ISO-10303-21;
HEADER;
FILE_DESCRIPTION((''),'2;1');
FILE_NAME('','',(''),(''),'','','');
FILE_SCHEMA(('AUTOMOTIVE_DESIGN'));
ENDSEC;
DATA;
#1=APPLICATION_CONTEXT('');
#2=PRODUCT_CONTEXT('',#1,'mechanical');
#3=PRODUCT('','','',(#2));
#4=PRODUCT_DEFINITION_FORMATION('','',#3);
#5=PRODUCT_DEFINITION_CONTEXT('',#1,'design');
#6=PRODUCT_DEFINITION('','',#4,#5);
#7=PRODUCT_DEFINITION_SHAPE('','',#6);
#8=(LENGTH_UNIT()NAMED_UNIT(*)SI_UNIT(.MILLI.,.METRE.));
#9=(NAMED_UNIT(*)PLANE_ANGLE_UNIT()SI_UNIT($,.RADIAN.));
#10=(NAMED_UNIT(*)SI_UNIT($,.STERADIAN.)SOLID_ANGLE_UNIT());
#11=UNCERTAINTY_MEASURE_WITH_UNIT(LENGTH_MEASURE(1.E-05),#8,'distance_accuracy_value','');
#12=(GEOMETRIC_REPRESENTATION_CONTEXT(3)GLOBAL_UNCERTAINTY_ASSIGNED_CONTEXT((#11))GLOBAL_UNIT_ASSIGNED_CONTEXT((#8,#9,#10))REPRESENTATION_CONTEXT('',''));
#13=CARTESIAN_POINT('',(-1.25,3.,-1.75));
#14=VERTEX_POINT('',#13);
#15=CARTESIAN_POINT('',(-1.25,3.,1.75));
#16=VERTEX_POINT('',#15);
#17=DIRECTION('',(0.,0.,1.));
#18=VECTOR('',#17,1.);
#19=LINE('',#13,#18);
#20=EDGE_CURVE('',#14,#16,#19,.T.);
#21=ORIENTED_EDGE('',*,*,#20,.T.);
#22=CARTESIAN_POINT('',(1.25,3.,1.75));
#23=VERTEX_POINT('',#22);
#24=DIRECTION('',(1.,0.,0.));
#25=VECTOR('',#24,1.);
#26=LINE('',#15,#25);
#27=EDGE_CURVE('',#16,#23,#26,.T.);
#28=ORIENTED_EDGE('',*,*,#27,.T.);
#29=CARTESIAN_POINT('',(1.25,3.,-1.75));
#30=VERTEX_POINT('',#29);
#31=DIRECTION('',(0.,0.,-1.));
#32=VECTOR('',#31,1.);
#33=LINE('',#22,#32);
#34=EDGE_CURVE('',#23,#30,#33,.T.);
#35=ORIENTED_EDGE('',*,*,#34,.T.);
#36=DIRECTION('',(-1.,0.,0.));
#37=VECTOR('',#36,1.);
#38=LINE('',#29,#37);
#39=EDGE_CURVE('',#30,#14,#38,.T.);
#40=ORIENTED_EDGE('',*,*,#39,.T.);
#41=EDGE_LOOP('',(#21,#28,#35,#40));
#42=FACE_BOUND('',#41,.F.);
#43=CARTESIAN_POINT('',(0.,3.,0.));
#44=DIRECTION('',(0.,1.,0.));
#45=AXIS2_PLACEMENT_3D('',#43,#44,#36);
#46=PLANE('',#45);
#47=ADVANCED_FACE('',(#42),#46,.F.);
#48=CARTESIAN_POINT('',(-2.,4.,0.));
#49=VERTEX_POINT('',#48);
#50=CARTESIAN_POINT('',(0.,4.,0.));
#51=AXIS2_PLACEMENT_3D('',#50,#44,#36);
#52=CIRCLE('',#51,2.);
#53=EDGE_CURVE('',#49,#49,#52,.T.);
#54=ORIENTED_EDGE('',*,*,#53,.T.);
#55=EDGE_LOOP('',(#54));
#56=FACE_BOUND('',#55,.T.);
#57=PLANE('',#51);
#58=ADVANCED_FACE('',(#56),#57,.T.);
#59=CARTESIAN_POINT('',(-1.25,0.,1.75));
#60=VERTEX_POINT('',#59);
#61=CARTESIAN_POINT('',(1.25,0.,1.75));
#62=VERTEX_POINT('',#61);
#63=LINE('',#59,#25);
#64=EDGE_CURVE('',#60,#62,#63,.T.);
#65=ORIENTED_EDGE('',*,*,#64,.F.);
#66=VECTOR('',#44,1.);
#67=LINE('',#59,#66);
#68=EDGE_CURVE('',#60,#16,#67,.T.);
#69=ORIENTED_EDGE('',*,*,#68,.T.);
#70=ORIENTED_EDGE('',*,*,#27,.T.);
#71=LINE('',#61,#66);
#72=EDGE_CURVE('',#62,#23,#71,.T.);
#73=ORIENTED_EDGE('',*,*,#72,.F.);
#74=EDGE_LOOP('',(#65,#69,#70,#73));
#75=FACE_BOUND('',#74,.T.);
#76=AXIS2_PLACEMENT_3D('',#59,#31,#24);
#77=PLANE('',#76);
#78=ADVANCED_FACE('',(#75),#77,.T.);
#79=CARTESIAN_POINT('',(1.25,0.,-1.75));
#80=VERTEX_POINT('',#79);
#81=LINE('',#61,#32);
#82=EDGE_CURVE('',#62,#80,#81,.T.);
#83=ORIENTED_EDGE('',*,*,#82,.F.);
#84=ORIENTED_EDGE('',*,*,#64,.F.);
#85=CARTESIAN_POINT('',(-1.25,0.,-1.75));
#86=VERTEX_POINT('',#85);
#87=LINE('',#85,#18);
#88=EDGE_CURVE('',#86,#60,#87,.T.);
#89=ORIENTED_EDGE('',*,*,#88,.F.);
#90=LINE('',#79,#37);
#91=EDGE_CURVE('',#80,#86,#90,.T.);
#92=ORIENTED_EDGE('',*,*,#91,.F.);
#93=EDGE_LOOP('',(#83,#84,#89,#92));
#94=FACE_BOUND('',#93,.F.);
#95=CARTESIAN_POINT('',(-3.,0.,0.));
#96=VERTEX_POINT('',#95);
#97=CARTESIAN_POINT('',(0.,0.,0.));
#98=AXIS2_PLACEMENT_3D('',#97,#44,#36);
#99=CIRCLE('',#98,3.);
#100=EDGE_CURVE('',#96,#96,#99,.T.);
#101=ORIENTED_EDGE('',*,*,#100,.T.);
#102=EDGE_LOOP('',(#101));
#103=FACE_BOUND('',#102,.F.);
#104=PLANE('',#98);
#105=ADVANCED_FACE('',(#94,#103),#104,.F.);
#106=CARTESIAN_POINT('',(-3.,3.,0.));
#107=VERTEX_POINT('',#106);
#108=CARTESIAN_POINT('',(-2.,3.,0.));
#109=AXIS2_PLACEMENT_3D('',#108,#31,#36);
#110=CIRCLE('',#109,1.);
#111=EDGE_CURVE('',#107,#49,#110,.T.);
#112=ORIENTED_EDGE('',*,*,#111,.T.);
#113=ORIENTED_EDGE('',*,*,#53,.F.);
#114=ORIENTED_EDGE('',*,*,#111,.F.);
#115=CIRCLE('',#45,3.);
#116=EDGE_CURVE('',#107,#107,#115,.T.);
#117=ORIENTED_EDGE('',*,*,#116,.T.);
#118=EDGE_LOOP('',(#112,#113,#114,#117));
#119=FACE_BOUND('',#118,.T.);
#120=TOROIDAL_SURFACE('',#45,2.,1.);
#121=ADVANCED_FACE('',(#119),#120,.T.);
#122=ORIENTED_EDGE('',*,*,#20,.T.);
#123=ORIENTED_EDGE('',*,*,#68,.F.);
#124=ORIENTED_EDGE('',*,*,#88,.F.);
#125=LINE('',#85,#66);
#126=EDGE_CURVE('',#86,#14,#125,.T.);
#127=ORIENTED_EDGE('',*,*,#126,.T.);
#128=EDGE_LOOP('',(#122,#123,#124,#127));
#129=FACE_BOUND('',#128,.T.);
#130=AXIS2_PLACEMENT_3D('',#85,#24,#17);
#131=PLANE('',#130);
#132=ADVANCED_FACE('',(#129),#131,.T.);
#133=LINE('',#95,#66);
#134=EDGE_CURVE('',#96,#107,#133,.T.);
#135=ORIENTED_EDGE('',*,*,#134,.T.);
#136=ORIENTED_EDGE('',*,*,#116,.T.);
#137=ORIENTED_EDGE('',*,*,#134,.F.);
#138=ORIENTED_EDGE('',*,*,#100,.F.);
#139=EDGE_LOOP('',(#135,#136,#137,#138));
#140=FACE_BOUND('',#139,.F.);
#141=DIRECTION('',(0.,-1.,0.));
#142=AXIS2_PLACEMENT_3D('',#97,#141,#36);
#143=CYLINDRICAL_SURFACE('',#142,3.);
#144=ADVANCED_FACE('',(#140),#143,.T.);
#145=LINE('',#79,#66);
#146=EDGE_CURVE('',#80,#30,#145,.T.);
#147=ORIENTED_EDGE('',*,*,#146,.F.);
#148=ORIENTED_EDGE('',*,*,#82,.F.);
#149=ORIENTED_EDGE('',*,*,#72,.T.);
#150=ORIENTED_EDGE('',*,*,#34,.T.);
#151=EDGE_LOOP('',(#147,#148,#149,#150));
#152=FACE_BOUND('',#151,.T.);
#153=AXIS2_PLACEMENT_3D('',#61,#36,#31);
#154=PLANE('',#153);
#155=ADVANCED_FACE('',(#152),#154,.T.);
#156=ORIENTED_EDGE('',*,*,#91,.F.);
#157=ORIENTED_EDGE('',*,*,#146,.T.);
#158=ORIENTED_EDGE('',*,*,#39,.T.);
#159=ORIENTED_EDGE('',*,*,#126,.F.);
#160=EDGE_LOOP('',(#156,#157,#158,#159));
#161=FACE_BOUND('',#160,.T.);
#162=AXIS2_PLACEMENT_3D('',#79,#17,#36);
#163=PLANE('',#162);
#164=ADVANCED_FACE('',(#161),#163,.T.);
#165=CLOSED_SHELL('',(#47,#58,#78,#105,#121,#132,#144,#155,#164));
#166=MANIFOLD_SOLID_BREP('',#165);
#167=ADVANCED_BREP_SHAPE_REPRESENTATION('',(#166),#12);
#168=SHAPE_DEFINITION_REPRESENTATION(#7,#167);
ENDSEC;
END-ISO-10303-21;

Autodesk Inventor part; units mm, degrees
ref_plane "YZ Plane" through (0, 0, 0) normal (1, 0, 0) x (0, 1, 0)
ref_plane "XZ Plane" through (0, 0, 0) normal (0, 1, 0) x (-1, 0, 0)
ref_plane "XY Plane" through (0, 0, 0) normal (0, 0, 1) x (1, 0, 0)
sketch "Sketch1" plane through (0, 0, 0) normal (0, 1, 0) x (-1, 0, 0)
  circle A0 centre (0, 0) radius 3
  line L0 (1.25, 1.75) -> (-1.25, 1.75)
  line L1 (-1.25, 1.75) -> (-1.25, -1.75)
  line L2 (-1.25, -1.75) -> (1.25, -1.75)
  line L3 (1.25, -1.75) -> (1.25, 1.75)
  dimension "d0" = 6
  dimension "d1" = 2.5
  dimension "d2" = 3.5
  dimension "d3" = 1.25
  dimension "d4" = 1.75
extrude "Extrusion1" add sketch "Sketch1" along normal blind 4 contours A0 | L3 L2 L1 L0
extrude "Extrusion2" cut sketch "Sketch1" along normal blind 3 contours L3 L2 L1 L0
fillet "Fillet1" radius 1 1 edges at (3, 4, 0)
properties part number "Power_Button"
